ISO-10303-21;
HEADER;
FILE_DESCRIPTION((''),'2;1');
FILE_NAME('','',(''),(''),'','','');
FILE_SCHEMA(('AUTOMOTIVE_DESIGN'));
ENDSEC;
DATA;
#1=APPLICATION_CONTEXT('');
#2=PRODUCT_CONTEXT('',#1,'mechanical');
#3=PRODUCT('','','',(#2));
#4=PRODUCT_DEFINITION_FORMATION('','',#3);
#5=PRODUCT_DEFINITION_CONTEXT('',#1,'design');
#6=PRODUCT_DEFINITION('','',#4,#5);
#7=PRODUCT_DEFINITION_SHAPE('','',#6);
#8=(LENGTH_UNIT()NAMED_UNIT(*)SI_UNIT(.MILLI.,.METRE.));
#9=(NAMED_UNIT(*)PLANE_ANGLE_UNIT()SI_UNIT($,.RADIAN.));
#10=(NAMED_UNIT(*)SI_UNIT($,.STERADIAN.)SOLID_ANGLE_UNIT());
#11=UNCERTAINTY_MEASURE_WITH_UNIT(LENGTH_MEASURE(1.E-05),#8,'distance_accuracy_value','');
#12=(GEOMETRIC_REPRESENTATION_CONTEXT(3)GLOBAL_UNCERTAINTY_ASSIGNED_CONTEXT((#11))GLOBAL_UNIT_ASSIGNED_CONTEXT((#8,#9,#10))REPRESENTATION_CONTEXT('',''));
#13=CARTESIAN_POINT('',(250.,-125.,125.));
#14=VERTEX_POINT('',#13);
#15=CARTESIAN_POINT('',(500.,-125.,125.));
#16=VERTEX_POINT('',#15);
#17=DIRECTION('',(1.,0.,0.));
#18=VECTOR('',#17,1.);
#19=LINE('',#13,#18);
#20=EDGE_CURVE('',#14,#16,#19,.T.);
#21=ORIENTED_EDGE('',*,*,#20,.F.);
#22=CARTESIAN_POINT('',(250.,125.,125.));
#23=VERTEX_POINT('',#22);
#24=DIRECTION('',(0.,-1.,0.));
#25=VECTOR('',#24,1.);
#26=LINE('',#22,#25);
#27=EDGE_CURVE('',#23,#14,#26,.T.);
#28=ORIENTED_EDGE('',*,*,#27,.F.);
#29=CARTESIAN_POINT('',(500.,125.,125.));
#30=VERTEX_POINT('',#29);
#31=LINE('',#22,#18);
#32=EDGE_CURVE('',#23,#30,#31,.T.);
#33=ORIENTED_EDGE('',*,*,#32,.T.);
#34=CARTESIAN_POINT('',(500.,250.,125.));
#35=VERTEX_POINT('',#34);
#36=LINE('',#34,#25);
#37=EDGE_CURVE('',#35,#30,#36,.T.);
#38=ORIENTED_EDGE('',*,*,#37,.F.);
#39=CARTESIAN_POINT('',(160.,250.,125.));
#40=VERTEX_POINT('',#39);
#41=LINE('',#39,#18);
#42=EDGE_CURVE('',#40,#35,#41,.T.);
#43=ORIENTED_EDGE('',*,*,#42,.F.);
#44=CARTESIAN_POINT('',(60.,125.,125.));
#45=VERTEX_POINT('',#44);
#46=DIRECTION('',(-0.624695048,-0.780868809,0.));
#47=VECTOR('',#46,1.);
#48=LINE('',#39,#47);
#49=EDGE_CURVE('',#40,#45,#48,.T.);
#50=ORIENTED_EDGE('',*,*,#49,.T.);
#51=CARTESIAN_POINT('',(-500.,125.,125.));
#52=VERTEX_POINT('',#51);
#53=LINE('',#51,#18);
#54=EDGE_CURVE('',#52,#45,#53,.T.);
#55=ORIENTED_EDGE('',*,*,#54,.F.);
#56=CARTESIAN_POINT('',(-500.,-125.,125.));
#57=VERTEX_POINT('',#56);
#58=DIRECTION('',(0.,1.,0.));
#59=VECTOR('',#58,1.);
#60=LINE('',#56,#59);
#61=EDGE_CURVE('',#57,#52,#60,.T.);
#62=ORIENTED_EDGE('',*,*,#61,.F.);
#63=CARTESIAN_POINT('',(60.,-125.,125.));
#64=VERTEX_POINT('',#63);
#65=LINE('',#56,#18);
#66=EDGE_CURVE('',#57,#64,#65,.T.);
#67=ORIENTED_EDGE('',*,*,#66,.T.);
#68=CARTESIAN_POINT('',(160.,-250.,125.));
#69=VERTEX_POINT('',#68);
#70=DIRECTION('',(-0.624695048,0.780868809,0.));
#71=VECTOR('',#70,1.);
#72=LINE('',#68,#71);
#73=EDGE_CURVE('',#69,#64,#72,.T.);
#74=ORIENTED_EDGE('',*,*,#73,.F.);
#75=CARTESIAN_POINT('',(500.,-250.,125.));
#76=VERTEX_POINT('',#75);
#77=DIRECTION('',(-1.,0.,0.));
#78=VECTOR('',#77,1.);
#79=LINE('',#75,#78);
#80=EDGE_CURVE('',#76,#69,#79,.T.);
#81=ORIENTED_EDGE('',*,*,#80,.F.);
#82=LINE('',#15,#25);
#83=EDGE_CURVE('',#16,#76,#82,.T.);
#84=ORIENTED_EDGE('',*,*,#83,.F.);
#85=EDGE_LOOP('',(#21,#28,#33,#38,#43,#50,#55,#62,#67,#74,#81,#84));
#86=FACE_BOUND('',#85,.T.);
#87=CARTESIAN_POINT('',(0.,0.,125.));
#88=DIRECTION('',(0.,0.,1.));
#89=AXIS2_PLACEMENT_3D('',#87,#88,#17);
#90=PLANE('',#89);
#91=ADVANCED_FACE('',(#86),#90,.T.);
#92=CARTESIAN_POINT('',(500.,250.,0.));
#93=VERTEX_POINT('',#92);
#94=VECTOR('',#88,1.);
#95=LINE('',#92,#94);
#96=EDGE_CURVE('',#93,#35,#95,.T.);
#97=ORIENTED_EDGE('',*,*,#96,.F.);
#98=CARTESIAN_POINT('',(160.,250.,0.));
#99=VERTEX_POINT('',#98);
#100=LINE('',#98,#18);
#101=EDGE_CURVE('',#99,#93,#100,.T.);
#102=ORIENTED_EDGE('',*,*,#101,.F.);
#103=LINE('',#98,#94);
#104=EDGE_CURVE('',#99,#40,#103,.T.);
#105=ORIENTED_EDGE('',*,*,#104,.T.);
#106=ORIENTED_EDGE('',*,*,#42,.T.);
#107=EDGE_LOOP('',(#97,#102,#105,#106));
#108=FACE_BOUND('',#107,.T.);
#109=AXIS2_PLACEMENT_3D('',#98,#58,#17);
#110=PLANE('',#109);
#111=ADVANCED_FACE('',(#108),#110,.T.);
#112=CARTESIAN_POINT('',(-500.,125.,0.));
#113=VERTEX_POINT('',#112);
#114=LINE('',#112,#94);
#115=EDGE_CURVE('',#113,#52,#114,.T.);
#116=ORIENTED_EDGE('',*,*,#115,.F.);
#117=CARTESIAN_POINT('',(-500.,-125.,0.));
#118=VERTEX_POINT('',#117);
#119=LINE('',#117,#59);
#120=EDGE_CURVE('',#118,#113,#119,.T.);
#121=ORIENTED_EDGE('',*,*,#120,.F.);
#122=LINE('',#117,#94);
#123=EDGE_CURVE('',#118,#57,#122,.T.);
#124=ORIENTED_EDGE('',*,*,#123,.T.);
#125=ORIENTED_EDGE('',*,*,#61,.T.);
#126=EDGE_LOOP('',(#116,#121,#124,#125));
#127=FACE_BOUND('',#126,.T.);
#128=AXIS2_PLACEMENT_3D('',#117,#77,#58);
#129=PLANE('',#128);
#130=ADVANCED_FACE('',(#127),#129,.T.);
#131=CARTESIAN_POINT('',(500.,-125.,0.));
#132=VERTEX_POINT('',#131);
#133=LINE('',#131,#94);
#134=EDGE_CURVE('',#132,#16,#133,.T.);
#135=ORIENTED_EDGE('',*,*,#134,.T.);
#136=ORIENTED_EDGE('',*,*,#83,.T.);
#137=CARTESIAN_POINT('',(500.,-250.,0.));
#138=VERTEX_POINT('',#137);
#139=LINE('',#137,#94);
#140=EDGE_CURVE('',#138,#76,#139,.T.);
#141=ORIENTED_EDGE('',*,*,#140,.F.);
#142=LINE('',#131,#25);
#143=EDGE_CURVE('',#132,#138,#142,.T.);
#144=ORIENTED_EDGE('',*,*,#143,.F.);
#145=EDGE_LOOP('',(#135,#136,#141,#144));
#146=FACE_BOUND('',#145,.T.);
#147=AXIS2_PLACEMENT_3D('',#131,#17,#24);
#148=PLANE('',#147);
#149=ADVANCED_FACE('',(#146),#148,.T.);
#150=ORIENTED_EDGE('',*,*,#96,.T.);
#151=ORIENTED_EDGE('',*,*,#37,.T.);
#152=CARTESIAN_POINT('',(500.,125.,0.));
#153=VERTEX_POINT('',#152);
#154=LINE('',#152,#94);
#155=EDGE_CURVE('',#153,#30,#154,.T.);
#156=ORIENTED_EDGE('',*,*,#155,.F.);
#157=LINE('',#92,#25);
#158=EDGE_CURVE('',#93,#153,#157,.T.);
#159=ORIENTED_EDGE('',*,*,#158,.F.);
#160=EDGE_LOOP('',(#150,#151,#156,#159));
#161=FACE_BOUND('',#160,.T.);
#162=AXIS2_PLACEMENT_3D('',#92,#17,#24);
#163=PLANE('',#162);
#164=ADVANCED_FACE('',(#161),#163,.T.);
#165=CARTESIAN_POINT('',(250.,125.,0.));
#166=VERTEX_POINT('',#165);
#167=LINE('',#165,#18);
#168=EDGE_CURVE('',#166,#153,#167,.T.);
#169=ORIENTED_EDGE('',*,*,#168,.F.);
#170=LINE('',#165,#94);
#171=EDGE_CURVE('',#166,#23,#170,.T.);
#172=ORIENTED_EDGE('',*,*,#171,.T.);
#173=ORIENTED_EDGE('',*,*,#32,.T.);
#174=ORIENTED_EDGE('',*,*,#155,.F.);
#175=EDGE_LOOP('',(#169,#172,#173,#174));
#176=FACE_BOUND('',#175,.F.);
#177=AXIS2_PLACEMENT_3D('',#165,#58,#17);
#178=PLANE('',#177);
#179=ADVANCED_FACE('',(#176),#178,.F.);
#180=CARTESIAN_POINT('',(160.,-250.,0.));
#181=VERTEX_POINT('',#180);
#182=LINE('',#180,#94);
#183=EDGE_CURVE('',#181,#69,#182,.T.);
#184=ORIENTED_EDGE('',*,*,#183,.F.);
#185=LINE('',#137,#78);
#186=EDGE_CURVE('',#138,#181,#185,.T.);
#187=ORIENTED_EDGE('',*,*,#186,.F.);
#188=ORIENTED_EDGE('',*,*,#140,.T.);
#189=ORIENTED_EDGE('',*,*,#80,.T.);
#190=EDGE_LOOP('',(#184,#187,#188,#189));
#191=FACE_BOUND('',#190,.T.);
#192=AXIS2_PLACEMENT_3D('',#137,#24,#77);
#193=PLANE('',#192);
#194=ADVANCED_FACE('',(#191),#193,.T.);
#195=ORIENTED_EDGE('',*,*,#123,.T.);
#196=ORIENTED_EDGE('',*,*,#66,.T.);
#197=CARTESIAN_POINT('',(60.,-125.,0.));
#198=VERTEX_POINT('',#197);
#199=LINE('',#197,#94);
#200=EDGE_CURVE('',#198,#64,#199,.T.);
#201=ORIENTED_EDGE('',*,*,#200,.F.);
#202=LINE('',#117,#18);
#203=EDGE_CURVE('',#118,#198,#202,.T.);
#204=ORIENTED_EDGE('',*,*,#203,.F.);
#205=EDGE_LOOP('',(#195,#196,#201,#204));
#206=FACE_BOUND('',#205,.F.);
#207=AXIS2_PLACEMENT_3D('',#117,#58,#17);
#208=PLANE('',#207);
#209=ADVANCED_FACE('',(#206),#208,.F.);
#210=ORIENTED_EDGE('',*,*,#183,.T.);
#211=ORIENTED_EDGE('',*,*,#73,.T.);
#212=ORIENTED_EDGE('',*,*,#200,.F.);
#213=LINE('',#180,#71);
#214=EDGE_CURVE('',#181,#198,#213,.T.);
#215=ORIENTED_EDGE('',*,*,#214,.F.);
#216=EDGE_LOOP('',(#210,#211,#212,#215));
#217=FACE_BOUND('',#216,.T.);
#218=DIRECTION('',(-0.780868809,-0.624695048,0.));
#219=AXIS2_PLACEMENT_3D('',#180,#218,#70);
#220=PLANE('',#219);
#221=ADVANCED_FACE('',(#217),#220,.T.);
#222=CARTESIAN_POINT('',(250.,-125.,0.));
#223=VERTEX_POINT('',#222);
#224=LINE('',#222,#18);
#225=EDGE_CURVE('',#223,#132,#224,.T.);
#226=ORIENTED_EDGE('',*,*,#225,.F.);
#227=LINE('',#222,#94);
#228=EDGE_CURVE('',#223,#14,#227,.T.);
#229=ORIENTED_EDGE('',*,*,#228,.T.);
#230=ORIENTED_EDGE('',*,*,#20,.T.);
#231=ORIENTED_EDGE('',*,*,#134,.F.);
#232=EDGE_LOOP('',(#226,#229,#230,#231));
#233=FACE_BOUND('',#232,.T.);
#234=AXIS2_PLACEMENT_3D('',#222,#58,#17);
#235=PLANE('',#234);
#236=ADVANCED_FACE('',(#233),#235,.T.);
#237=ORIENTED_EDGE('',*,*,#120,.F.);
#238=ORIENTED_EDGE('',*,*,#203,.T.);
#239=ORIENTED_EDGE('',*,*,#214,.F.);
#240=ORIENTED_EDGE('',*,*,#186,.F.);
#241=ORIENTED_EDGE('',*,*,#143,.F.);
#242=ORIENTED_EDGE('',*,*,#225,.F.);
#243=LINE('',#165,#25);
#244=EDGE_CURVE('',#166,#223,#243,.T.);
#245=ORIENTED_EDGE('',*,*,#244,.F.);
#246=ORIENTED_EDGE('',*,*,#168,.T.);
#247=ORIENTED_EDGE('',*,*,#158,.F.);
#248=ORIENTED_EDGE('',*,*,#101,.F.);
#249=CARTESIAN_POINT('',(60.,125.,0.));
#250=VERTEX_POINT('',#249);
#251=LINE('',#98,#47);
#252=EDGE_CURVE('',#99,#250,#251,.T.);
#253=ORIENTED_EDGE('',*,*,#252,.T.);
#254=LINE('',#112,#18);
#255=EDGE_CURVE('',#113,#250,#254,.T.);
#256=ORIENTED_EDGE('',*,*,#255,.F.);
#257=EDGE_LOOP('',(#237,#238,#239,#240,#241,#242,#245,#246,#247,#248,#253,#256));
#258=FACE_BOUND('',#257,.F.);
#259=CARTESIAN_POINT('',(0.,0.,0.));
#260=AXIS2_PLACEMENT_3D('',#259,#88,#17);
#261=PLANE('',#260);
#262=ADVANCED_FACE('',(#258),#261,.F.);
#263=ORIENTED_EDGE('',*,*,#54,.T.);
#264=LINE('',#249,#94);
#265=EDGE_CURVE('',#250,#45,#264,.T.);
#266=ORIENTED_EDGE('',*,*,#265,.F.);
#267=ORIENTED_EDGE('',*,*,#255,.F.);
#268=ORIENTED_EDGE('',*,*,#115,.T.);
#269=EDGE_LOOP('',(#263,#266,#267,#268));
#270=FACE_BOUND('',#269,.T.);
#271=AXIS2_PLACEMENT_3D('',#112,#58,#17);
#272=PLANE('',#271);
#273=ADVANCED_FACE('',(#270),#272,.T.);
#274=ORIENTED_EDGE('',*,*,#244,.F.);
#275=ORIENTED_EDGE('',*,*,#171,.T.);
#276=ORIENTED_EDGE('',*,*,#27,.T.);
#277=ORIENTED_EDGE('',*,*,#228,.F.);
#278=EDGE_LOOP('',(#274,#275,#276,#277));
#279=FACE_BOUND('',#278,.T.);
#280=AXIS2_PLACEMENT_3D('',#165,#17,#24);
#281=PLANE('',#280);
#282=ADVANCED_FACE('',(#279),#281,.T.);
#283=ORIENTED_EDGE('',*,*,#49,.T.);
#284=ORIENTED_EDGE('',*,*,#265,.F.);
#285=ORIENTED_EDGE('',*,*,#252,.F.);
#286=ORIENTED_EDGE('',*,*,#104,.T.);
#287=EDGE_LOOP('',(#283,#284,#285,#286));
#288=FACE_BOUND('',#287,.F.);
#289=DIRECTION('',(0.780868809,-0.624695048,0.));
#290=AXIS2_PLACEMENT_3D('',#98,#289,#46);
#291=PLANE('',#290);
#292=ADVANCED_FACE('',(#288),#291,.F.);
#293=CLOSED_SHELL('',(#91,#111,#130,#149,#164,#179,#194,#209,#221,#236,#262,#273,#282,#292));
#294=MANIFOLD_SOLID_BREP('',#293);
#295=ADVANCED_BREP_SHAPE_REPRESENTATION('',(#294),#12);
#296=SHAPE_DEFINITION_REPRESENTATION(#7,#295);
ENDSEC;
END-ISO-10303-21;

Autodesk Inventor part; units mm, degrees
ref_plane "YZ Plane" through (0, 0, 0) normal (1, 0, 0) x (0, 1, 0)
ref_plane "XZ Plane" through (0, 0, 0) normal (0, 1, 0) x (-1, 0, 0)
ref_plane "XY Plane" through (0, 0, 0) normal (0, 0, 1) x (1, 0, 0)
sketch "Sketch2" plane through (0, 0, 0) normal (0, 0, 1) x (1, 0, 0)
  line L0 (500, -250) -> (160, -250)
  line L1 (-500, -125) -> (-500, 125)
  line L2 (160, 250) -> (500, 250)
  line L3 (500, -250) -> (-500, 250) construction
  line L4 (-500, -250) -> (500, 250) construction
  line L5 (250, 125) -> (250, -125)
  line L6 (500, 250) -> (500, 125)
  line L7 (500, -125) -> (500, -250)
  line L8 (-500, 125) -> (60, 125)
  line L9 (250, 125) -> (500, 125)
  line L10 (-500, -125) -> (60, -125)
  line L11 (250, -125) -> (500, -125)
  line L12 (160, 250) -> (60, 125)
  line L13 (160, -250) -> (60, -125)
  point P0 (0, 0)
  dimension "d0" = 1000
  dimension "d1" = 500
  dimension "d2" = 1000
extrude "Extrusion1" add sketch "Sketch2" along normal blind 125
properties part number "wrench"
